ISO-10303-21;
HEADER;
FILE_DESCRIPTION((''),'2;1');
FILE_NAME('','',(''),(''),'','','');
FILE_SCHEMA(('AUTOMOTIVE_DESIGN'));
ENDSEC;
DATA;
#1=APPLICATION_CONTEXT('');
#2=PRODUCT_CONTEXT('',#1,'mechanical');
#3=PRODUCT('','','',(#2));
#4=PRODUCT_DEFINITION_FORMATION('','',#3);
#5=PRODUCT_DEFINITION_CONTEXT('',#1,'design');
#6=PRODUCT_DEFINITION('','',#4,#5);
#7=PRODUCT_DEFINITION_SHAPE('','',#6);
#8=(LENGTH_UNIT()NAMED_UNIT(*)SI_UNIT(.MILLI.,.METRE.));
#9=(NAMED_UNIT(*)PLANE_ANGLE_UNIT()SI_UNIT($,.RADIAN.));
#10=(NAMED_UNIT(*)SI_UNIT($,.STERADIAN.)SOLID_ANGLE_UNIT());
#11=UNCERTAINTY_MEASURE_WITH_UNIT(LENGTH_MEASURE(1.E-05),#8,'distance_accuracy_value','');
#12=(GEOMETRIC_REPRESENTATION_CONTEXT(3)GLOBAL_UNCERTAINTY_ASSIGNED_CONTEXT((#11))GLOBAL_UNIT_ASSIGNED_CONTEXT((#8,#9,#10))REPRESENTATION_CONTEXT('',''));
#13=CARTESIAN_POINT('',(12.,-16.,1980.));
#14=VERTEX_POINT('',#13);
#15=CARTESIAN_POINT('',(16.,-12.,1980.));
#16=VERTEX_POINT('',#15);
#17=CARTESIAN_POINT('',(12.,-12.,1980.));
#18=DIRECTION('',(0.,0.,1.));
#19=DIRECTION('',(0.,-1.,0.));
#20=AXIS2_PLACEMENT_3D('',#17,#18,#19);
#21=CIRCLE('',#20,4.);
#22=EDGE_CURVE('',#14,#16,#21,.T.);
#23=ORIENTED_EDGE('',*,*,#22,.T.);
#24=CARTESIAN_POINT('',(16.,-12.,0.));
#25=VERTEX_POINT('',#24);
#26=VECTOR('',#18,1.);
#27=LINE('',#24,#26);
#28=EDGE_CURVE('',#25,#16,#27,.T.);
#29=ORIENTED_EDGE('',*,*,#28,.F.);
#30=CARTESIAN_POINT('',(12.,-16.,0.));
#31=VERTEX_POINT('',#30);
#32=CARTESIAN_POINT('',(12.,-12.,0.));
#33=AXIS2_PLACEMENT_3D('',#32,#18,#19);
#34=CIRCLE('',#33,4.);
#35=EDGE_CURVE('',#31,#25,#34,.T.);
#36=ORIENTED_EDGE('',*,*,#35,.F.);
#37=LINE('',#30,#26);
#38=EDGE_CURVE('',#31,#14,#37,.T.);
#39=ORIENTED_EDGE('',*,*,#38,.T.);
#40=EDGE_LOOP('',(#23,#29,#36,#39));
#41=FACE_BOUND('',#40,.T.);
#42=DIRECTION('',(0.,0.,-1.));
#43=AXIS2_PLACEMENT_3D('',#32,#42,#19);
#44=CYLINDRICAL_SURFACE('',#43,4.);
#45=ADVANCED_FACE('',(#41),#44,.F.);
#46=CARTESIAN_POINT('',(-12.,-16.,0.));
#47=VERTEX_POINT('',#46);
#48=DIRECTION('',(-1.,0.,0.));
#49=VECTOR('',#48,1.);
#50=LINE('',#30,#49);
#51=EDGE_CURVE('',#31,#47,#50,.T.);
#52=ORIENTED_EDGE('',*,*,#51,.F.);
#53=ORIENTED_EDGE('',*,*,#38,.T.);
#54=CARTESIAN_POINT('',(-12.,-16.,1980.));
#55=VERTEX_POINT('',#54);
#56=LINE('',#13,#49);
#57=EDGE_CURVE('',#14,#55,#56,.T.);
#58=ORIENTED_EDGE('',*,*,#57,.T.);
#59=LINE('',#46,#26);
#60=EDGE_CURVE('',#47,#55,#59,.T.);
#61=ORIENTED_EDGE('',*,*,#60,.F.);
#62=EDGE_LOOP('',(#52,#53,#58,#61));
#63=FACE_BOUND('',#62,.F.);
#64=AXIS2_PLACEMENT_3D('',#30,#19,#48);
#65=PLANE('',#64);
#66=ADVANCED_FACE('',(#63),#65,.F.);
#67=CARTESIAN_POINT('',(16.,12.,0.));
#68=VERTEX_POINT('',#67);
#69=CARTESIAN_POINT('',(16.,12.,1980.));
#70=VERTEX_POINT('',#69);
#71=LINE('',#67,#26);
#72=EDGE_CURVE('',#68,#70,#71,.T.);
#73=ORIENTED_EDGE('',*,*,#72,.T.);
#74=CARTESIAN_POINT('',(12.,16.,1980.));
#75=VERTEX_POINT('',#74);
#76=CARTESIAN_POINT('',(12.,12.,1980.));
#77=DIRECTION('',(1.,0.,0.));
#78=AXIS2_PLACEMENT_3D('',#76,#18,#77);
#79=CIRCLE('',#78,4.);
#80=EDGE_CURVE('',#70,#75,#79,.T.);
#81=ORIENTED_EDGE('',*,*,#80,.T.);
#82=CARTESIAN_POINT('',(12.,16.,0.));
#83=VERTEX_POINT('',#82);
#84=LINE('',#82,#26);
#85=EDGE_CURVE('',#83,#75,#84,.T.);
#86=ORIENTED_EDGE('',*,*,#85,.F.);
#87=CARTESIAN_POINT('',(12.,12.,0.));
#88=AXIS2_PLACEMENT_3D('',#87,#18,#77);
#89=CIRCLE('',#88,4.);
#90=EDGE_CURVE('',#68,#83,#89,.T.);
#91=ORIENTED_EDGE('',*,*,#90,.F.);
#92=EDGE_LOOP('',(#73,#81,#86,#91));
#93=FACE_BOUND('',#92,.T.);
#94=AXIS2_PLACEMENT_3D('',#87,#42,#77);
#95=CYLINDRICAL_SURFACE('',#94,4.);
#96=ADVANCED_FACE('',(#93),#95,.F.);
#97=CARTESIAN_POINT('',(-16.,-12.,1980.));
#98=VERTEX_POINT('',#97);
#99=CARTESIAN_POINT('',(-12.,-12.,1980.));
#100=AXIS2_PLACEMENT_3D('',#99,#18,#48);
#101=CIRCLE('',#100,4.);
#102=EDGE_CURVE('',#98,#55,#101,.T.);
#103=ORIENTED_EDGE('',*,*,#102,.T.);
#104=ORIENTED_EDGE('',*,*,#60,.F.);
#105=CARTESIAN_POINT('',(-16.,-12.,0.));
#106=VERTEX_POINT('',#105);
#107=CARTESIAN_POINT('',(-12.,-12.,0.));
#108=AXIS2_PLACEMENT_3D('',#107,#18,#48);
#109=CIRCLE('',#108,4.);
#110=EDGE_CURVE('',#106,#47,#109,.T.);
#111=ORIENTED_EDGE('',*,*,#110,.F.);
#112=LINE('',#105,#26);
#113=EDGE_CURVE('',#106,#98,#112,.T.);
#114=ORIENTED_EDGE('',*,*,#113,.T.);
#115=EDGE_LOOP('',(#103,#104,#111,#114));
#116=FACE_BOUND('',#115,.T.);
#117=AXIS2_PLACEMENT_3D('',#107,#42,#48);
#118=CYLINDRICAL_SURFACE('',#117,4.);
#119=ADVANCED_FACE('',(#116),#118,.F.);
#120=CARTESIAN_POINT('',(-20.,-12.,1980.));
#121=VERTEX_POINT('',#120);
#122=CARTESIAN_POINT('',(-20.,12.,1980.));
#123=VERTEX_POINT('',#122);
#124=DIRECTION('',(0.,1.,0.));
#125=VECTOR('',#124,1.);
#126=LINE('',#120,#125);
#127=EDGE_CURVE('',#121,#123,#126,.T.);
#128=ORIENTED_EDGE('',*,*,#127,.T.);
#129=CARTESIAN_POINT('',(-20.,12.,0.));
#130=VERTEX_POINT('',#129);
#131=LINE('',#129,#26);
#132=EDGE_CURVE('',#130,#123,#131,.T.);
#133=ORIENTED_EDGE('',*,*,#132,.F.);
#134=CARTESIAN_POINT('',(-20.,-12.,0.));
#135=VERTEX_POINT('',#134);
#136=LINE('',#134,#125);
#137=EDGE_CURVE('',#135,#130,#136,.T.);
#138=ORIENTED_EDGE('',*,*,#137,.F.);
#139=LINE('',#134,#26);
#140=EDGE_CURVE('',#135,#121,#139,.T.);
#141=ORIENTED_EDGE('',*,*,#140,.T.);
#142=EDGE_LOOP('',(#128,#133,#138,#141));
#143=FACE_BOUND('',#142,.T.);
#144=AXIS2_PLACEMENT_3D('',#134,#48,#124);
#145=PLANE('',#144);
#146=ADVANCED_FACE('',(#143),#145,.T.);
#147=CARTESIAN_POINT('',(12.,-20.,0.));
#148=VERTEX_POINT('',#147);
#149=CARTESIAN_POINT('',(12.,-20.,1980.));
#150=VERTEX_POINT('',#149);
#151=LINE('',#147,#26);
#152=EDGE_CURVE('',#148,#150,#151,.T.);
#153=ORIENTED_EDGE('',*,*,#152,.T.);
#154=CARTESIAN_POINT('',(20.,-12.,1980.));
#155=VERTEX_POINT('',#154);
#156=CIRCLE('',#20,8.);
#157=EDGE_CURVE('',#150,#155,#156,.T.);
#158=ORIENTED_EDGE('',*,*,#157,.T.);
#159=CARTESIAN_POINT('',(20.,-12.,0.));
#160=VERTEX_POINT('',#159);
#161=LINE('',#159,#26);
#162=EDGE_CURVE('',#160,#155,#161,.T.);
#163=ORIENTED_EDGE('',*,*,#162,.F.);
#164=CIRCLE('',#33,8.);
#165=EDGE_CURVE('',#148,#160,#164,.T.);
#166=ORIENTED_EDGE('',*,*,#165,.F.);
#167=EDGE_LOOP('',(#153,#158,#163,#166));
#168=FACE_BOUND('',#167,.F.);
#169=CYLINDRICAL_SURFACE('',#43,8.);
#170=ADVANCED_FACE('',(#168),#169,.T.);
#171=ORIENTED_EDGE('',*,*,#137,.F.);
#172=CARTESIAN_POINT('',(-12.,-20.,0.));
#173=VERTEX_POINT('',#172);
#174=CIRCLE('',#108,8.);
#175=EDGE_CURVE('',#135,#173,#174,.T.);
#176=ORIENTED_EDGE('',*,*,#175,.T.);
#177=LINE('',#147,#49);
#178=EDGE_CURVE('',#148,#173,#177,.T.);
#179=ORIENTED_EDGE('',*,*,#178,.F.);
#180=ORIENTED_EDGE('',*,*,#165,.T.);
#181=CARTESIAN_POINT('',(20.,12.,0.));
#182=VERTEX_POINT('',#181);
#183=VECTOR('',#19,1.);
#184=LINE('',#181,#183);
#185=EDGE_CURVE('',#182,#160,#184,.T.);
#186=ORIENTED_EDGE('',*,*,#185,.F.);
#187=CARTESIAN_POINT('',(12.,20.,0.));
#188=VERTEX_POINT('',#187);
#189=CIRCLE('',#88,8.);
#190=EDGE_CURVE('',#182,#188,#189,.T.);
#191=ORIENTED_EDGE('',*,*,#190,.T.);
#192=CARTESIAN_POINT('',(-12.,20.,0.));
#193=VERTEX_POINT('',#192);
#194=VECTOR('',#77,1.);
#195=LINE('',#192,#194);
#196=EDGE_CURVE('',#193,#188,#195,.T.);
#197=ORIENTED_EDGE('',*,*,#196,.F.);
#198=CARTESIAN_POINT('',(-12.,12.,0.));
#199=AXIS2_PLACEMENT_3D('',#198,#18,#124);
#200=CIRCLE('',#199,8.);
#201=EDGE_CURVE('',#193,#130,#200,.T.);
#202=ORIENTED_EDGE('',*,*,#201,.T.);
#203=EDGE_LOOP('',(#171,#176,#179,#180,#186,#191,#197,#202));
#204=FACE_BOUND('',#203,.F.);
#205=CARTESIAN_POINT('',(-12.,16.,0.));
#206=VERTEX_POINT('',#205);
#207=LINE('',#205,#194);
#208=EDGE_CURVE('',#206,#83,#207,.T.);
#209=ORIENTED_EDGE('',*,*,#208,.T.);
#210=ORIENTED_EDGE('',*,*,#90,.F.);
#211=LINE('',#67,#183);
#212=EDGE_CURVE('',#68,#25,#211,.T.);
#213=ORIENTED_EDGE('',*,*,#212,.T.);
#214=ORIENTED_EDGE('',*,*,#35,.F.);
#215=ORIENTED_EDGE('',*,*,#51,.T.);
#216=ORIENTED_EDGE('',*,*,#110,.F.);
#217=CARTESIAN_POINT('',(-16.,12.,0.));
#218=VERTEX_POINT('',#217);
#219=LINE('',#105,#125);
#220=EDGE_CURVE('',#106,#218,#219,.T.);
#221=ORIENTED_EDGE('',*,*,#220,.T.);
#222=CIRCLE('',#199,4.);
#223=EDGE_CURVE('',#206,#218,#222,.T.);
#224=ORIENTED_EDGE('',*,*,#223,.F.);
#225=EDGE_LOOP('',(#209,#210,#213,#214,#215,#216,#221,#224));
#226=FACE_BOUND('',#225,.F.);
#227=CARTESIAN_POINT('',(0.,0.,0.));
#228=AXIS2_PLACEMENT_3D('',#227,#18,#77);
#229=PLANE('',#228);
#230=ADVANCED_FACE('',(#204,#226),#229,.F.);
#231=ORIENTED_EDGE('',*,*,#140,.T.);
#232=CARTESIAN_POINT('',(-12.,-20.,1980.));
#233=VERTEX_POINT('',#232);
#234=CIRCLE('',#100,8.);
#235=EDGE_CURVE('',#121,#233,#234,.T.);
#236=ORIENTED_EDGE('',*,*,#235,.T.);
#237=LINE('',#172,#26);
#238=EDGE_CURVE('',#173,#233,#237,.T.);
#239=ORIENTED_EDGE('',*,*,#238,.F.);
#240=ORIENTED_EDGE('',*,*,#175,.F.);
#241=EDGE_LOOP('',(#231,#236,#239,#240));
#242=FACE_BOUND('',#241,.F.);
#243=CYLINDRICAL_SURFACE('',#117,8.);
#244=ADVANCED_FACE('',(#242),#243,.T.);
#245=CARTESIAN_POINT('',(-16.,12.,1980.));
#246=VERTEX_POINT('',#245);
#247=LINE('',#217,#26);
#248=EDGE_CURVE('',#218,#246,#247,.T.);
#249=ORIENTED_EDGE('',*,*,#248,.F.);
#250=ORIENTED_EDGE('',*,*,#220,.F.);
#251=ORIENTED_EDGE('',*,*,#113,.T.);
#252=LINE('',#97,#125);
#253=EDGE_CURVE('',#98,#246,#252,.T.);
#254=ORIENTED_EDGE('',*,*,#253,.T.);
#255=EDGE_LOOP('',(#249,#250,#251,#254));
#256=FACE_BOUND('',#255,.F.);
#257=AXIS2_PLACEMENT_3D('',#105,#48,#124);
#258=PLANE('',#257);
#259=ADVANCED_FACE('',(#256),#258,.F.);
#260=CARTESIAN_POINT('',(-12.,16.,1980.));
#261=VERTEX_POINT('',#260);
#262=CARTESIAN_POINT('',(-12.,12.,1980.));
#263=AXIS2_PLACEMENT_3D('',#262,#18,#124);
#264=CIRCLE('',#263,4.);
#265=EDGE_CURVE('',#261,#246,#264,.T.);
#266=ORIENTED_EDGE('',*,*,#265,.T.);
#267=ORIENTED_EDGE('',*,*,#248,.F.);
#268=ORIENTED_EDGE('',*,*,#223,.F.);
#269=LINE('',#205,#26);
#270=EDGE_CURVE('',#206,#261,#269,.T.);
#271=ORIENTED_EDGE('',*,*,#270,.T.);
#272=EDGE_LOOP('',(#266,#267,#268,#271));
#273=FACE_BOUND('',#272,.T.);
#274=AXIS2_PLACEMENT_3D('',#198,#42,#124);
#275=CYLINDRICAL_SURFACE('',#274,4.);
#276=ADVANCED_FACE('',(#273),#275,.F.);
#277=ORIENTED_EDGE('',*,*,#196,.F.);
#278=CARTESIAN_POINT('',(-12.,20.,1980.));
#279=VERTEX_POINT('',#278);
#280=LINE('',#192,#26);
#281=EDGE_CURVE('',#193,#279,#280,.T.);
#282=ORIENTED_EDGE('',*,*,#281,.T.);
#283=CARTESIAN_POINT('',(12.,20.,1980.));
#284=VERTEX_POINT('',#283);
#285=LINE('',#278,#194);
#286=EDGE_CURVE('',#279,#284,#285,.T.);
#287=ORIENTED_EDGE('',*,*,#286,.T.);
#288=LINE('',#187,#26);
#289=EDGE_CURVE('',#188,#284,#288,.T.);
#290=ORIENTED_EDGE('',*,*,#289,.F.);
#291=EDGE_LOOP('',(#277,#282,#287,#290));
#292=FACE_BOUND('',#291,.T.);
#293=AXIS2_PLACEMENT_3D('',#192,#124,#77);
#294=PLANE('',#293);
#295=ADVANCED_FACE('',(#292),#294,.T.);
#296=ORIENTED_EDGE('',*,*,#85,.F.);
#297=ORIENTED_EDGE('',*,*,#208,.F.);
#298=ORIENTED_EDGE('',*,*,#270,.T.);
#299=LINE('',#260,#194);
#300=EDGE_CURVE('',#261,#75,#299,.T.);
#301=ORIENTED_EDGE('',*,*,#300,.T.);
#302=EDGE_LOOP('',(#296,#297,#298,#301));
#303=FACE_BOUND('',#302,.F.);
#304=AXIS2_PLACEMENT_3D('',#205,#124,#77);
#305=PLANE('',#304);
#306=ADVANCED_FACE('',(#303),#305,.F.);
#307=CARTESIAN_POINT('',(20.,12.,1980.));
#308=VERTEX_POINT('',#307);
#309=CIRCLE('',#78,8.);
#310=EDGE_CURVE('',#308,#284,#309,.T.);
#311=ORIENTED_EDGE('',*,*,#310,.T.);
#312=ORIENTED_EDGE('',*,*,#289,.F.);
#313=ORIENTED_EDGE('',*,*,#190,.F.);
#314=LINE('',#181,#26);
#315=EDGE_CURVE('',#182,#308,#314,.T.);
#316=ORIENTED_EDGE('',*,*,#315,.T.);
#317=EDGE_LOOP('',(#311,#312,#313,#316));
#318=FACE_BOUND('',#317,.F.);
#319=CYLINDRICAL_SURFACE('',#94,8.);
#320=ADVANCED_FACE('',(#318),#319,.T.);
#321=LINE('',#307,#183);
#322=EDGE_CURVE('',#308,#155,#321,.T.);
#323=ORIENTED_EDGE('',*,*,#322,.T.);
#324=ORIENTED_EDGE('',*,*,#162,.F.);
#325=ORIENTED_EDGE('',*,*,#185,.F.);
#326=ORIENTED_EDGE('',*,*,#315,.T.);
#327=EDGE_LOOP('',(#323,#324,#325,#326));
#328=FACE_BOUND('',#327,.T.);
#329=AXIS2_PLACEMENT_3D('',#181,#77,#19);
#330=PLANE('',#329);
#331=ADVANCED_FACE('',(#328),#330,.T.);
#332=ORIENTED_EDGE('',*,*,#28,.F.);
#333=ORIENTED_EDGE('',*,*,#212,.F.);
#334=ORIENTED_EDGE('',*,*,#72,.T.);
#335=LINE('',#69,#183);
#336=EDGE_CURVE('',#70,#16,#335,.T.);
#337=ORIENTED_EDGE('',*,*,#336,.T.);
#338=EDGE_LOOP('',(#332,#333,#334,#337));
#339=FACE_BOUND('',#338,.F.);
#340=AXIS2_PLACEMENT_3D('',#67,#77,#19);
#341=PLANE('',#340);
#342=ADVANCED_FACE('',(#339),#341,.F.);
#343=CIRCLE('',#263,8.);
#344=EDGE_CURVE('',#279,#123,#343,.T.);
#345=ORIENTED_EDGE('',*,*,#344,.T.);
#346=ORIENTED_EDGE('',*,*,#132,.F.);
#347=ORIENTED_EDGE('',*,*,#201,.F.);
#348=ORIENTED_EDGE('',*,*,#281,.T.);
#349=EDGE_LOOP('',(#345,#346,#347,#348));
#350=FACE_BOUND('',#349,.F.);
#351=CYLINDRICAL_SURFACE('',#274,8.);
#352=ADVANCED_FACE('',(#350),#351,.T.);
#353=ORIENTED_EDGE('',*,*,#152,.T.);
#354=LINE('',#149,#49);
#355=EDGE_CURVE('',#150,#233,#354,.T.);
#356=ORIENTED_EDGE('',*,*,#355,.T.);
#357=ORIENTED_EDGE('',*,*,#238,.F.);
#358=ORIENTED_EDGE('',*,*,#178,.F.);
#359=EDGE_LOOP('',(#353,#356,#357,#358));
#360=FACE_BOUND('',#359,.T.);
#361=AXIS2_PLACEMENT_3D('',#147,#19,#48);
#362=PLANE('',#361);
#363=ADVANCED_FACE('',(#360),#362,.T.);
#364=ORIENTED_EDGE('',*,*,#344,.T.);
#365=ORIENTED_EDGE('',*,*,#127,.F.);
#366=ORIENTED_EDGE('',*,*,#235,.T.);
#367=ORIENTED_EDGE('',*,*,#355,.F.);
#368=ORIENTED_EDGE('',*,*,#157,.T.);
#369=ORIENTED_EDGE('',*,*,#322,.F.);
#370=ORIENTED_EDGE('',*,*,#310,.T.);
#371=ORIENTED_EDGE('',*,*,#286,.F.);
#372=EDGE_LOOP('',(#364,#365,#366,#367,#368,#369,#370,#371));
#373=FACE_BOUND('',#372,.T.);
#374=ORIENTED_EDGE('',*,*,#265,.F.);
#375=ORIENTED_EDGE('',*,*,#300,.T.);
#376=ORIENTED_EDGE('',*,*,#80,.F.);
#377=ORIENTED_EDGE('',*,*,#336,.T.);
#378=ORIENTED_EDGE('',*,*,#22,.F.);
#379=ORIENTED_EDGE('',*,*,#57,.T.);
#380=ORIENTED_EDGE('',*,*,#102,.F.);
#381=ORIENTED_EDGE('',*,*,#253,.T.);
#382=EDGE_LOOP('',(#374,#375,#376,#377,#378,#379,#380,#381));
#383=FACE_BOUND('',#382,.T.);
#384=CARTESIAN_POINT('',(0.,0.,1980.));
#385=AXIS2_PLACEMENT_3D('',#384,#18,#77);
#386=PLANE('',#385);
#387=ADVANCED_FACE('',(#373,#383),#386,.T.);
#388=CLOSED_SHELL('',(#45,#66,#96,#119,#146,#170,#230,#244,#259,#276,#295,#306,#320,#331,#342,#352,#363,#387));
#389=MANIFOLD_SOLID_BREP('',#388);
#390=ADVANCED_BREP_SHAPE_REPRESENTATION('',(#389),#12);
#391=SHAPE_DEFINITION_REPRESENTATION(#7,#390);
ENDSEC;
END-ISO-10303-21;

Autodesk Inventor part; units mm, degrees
ref_plane "Start Plane" through (0, 0, 0) normal (0, 0, 1) x (1, 0, 0)
ref_plane "End Plane" through (0, 0, 1980) normal (0, 0, 1) x (1, 0, 0)
sketch "Sketch" plane through (0, 0, 0) normal (0, 0, 1) x (1, 0, 0)
  line L0 (-20, -12) -> (-20, 12)
  line L1 (-12, 20) -> (12, 20)
  line L2 (20, 12) -> (20, -12)
  line L3 (12, -20) -> (-12, -20)
  arc A0 (-20, -12) -> (-12, -20) centre (-12, -12) ccw
  arc A1 (20, 12) -> (12, 20) centre (12, 12) ccw
  arc A2 (-12, 20) -> (-20, 12) centre (-12, 12) ccw
  arc A3 (12, -20) -> (20, -12) centre (12, -12) ccw
  arc A4 (-12, 16) -> (-16, 12) centre (-12, 12) ccw
  line L4 (-12, 16) -> (12, 16)
  arc A5 (16, 12) -> (12, 16) centre (12, 12) ccw
  line L5 (16, 12) -> (16, -12)
  arc A6 (12, -16) -> (16, -12) centre (12, -12) ccw
  line L6 (12, -16) -> (-12, -16)
  arc A7 (-16, -12) -> (-12, -16) centre (-12, -12) ccw
  line L7 (-16, -12) -> (-16, 12)
  line L8 (0, 30.3196) -> (0, -30.3196) construction
  line L9 (-30.3196, 0) -> (30.3196, 0) construction
  dimension "d7" = 8
  dimension "d9" = 40
  dimension "d11" = 40
  dimension "d12" = 4
  dimension "d15" = 20
  dimension "d16" = 20
extrude "Body" add sketch "Sketch" along normal up to surface (1980 mm away) from surface at 0
sketch "Sketch3" plane through (0, 0, 0) normal (0, 0, 1) x (1, 0, 0)
  line L0 (0, 0) -> (10, 0)
ref_plane "Work Plane3" through (0, 0, 0) normal (0, -1, 0) x (1, 0, 0)
ref_plane "Work Plane4" through (12, 6500, 1980) normal (0, 0, 1) x (1, 0, 0)
split "Split1" plane through (12, 6500, 1980) removes the side toward (0, 0, 1)
sketch "Sketch4" plane through (0, 0, 0) normal (0, -1, 0) x (1, 0, 0)
  line L0 (-2, 0) -> (12, 0) projected
  line L1 (-2, 1980) -> (12, 1980) projected
  dimension "d18" = 1980
equation "\"d7\" = G_IR"
equation "\"d9\" = G_W"
equation "\"d11\" = G_H"
equation "\"d12\" = G_T"
equation "\"d15\" = 0.5 * d9"
equation "\"d16\" = 0.5 * d11"
equation "\"d3\" = G_L"
equation "\"G_W\" = 40"
equation "\"G_H\" = 40"
equation "\"G_T\" = 4"
equation "\"G_IR\" = 8"
equation "\"G_L\" = d18"
equation "\"G_OFFSET_START\" = 0"
properties part number "ISO 10799-2 - 40x40x4 - 1980" material "Steel, Mild"
